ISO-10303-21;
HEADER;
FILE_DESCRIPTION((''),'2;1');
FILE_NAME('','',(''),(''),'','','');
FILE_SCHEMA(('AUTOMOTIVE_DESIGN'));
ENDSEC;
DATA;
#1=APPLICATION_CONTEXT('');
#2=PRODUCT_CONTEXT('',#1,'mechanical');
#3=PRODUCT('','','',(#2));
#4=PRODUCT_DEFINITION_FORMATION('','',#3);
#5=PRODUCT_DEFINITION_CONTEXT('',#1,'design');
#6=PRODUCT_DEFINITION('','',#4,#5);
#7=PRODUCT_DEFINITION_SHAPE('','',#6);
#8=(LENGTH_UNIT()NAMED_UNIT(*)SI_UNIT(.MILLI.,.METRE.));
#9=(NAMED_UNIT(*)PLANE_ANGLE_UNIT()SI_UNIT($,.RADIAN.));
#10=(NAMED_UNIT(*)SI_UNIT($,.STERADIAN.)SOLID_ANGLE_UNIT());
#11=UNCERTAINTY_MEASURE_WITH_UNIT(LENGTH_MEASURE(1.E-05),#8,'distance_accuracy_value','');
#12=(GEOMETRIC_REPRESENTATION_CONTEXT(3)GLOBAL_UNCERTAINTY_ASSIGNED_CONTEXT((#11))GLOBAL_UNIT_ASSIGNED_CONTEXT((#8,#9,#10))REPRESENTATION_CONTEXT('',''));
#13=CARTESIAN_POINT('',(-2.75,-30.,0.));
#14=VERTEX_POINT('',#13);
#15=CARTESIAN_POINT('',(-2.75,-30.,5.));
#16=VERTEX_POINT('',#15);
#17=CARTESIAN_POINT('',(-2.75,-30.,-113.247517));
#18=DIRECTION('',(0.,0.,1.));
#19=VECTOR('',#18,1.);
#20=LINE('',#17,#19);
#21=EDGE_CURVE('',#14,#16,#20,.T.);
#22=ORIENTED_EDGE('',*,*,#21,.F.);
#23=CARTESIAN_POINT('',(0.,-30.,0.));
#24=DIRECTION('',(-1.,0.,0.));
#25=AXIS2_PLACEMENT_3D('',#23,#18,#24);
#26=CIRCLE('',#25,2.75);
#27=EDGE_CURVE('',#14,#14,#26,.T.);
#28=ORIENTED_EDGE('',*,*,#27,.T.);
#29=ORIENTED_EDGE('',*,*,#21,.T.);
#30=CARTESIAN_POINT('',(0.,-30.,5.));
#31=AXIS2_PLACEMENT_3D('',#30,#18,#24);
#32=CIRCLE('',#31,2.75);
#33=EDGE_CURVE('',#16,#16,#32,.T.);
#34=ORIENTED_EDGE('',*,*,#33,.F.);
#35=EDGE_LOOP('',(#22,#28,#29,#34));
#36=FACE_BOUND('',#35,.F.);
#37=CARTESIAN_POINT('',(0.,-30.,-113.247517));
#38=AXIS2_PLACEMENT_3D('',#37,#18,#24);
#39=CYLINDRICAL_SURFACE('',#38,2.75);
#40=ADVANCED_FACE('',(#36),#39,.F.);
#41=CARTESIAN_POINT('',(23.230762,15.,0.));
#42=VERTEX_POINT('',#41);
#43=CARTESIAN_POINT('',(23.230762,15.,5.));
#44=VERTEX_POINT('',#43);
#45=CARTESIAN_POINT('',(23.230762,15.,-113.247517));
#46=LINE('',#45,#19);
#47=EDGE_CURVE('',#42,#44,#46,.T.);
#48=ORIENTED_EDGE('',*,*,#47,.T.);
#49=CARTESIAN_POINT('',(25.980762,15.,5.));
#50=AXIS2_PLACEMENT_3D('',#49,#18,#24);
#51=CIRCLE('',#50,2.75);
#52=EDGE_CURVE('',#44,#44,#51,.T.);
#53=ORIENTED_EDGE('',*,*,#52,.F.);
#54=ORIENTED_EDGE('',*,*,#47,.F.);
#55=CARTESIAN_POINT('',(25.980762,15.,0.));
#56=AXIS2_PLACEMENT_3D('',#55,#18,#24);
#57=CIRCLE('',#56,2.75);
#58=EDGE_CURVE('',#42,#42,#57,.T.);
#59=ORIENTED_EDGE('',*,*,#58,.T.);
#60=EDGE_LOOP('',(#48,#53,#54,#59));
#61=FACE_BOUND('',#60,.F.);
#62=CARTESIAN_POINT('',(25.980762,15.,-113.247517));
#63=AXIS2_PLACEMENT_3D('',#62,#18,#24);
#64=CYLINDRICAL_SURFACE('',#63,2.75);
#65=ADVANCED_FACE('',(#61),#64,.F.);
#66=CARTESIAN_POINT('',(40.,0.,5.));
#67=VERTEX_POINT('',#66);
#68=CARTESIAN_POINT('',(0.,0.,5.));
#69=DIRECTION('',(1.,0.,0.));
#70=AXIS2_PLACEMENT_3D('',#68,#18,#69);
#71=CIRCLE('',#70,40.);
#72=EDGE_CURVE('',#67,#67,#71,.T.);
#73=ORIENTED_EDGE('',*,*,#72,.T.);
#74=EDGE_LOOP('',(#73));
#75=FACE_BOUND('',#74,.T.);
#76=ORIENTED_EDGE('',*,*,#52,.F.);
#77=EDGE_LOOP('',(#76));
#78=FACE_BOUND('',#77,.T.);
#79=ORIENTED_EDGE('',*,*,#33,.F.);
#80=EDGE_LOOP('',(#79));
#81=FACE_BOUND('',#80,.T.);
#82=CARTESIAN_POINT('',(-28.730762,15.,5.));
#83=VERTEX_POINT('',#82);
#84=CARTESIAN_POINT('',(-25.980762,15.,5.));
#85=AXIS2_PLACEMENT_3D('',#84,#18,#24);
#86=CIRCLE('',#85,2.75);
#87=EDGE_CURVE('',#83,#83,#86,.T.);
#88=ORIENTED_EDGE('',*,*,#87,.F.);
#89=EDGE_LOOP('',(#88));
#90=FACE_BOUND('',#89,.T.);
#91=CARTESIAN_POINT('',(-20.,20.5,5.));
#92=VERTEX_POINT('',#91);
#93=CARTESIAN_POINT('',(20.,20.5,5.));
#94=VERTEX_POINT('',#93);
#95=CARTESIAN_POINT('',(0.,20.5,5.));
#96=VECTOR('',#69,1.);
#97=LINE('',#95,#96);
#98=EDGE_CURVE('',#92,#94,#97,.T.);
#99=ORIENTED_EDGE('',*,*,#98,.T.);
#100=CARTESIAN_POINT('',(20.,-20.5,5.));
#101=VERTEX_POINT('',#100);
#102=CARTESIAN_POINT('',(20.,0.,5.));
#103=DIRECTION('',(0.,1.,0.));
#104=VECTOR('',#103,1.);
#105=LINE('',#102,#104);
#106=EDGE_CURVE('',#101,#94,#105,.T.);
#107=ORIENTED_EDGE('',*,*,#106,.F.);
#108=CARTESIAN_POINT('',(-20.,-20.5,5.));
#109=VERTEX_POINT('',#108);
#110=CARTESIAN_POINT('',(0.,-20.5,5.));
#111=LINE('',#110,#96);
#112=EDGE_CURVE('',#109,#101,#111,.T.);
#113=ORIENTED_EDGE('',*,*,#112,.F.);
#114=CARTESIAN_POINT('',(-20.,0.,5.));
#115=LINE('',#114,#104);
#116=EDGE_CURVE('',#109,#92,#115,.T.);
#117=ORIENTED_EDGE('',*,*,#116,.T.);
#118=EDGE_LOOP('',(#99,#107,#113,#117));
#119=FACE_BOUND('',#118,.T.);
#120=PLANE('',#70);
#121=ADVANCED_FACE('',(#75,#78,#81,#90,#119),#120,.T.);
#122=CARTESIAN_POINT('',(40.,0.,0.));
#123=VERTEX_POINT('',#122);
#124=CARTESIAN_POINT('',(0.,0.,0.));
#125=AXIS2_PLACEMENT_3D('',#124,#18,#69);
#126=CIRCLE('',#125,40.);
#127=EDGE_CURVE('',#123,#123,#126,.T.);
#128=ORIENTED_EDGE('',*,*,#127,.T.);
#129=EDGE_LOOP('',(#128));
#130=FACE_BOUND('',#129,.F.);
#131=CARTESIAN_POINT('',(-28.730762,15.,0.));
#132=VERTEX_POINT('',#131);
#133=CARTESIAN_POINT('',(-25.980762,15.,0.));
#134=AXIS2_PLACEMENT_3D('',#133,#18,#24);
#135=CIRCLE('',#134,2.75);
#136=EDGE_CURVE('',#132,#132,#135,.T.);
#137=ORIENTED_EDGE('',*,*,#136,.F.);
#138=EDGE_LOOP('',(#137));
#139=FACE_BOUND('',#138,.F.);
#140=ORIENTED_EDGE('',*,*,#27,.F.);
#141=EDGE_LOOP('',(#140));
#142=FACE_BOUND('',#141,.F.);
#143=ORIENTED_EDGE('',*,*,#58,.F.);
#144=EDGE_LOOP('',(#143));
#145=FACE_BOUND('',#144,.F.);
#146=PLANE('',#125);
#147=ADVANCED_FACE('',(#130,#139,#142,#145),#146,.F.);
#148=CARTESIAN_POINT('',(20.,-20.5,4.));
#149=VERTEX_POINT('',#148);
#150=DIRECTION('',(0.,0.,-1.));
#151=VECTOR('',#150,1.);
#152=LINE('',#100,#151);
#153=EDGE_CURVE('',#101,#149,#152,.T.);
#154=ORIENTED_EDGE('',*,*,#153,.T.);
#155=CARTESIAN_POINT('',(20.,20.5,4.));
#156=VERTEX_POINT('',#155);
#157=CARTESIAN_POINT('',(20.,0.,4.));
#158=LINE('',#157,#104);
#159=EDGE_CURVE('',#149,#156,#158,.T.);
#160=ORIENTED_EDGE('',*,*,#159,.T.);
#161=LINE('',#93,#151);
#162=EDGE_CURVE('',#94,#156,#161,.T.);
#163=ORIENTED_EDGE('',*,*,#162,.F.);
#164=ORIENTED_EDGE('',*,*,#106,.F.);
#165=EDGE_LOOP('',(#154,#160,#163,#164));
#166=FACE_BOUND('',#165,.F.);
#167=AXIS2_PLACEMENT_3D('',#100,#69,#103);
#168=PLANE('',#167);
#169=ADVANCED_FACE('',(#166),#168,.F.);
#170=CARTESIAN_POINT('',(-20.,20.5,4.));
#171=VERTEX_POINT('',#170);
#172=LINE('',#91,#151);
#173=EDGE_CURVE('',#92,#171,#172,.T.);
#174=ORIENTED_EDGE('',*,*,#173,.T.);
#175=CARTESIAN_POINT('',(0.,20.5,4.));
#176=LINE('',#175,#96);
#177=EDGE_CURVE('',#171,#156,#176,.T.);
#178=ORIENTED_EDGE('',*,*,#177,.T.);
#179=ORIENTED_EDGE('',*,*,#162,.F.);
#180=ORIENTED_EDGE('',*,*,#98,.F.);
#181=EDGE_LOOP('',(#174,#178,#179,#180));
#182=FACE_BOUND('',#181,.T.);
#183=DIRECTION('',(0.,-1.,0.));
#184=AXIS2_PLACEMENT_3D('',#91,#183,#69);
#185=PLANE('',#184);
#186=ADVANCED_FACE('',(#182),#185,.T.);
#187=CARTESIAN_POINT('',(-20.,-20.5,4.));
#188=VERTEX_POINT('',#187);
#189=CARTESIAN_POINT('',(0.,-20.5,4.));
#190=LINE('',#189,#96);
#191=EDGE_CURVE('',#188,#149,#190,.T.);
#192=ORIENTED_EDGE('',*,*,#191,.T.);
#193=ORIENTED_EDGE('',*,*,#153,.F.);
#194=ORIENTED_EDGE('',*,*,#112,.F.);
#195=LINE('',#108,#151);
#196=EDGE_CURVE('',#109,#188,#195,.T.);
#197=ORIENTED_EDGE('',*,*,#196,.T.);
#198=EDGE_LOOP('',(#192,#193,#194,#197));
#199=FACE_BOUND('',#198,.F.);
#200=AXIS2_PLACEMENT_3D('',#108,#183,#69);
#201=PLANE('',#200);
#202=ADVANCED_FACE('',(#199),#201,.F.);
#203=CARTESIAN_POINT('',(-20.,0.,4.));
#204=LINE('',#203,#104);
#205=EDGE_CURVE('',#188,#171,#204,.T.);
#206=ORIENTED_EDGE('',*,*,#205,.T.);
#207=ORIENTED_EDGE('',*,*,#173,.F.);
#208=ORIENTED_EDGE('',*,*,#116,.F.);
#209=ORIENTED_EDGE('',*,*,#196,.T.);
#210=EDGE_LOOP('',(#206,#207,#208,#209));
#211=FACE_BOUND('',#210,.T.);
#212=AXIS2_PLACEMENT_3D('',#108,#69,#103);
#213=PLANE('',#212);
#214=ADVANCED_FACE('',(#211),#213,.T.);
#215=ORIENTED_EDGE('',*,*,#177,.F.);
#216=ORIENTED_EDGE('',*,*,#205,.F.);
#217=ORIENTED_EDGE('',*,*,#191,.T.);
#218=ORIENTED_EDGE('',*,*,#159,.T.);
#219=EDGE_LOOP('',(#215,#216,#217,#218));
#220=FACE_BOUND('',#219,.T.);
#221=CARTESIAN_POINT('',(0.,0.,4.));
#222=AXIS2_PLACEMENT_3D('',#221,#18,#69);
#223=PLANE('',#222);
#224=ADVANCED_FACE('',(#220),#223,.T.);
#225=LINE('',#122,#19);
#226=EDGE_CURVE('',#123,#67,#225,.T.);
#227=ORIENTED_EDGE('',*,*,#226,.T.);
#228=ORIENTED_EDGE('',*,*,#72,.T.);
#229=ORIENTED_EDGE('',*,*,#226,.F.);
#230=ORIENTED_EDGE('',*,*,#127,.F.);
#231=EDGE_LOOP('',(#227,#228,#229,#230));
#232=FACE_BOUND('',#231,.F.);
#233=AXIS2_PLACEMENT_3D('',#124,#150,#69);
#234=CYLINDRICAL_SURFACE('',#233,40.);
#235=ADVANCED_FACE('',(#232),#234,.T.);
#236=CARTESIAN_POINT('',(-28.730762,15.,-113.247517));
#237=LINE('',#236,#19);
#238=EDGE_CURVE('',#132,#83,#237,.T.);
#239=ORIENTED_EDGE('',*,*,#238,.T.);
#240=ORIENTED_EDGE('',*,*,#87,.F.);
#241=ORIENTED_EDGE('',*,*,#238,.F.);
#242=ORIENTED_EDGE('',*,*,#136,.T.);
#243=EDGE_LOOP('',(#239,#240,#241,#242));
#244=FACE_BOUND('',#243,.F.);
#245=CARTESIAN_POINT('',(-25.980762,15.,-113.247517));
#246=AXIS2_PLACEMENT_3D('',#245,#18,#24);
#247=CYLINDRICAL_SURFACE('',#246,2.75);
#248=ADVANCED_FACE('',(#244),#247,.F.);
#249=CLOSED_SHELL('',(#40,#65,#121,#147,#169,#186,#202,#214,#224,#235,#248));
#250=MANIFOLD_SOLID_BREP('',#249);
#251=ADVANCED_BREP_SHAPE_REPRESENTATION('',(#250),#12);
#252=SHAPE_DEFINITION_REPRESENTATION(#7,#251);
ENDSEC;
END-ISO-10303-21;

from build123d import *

# Parameters (mm, degrees)
F0_R     = 40
F1_DEPTH = 5
F2_W     = 40
F2_H     = 41
F3_DEPTH = 1
F5_D     = 5.5
F6_DEPTH = 1


with BuildPart() as f1:
    # F0 (on Top) → F1 (new body)
    with BuildSketch(Plane.XY):
        Circle(F0_R)
    extrude(amount=F1_DEPTH)

    # F2 (on face) → F3 (cut)
    with BuildSketch(Plane.XY.offset(5)):
        Rectangle(F2_W, F2_H)
    extrude(amount=-F3_DEPTH, mode=Mode.SUBTRACT)

    # F5 (through all)
    with Locations(Plane(origin=(0, 0, 0), x_dir=(1, 0, 0), z_dir=(0, 0, -1))):
        with Locations((0, 30), (25.980762, -15), (-25.980762, -15)):
            Hole(F5_D / 2)

    # F2 (on face) → F6 (cut)
    with BuildSketch(Plane.XY.offset(5)):
        Rectangle(F2_W, F2_H)
    extrude(amount=-F6_DEPTH, mode=Mode.SUBTRACT)


solid = f1.part
